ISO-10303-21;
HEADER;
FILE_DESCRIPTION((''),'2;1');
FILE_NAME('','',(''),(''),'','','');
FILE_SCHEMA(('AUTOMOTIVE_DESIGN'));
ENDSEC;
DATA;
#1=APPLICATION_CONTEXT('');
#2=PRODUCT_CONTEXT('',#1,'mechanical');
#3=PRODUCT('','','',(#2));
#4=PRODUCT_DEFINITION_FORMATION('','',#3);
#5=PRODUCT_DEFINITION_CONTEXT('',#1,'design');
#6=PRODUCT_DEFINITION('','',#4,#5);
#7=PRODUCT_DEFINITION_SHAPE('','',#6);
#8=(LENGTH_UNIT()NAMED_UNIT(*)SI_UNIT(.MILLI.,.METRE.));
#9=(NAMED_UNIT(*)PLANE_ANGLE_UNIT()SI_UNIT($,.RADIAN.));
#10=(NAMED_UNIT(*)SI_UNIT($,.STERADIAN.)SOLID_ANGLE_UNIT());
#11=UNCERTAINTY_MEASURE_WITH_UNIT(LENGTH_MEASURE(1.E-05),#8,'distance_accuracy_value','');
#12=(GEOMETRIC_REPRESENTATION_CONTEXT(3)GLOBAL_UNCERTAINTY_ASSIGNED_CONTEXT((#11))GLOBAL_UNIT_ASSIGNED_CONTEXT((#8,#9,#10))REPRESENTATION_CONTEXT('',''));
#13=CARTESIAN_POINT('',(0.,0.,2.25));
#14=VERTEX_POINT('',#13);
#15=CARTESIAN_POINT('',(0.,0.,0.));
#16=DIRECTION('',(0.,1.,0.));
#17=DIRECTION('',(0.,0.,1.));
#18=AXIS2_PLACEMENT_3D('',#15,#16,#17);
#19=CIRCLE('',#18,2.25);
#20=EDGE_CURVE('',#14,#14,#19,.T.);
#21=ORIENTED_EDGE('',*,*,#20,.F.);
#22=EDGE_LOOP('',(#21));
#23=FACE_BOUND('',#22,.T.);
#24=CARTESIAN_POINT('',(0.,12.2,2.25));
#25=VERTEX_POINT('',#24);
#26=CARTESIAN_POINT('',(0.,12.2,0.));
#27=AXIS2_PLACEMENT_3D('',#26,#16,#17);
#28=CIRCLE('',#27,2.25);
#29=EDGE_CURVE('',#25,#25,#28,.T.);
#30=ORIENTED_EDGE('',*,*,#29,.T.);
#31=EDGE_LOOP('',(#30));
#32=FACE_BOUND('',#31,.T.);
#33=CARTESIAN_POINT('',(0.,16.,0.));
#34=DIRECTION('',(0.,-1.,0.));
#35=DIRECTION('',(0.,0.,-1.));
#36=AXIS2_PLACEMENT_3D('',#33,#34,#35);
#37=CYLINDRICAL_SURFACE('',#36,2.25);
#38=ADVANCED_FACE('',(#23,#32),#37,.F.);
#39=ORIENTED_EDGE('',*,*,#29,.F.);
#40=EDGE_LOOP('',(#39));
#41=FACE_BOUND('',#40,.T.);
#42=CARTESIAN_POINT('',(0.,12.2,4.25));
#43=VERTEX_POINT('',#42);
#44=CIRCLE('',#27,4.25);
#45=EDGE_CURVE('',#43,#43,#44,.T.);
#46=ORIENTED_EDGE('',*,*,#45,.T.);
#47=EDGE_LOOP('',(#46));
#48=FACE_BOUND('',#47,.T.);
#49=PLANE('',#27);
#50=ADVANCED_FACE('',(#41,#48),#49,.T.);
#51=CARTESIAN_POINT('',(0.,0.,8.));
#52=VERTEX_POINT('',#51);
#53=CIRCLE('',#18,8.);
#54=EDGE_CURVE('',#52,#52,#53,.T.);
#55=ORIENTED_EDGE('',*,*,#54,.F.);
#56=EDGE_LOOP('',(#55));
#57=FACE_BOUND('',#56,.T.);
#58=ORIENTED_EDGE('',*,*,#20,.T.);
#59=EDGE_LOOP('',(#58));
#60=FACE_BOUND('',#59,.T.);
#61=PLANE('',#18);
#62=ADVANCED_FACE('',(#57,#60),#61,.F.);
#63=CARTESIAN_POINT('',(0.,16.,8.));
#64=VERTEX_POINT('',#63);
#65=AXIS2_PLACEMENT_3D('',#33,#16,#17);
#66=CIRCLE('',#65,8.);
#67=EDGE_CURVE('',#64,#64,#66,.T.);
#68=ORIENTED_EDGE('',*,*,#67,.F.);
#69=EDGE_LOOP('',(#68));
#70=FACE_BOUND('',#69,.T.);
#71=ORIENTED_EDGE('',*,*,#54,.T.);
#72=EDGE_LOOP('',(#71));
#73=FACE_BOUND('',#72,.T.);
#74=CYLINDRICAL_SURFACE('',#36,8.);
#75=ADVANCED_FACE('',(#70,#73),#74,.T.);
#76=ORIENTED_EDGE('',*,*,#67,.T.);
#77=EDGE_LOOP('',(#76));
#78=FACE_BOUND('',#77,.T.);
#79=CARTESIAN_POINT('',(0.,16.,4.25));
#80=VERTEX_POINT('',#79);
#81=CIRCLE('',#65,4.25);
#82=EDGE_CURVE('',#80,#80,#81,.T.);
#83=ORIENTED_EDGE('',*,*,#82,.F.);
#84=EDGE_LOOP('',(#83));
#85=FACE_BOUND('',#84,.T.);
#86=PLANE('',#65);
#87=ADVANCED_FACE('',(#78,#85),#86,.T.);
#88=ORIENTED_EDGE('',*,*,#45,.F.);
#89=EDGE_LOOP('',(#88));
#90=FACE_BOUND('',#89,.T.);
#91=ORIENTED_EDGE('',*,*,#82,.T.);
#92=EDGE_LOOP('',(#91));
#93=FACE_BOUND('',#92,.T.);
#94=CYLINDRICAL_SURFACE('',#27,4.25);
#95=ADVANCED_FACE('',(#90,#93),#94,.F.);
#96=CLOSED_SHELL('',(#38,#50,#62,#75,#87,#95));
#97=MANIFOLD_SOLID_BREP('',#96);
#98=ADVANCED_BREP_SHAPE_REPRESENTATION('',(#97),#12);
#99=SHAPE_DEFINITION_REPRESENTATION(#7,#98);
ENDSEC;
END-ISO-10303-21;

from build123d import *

# Parameters (mm, degrees)
SKETCH1_R           = 8
SKETCH1_R_2         = 2.25
BOSS_EXTRUDE1_DEPTH = 16
SKETCH2_R           = 4.25
CUT_EXTRUDE1_DEPTH  = 3.8


with BuildPart() as part:
    # Sketch1 → Boss-Extrude1 (new body)
    with BuildSketch(Plane(origin=(0, 0, 0), x_dir=(1, 0, 0), z_dir=(0, 1, 0))):
        Circle(SKETCH1_R)
        Circle(SKETCH1_R_2, mode=Mode.SUBTRACT)
    extrude(amount=BOSS_EXTRUDE1_DEPTH)

    # Sketch2 → Cut-Extrude1 (cut)
    with BuildSketch(Plane(origin=(0, 16, 0), x_dir=(1, 0, 0), z_dir=(0, 1, 0))):
        Circle(SKETCH2_R)
    extrude(amount=-CUT_EXTRUDE1_DEPTH, mode=Mode.SUBTRACT)


solid = part.part
